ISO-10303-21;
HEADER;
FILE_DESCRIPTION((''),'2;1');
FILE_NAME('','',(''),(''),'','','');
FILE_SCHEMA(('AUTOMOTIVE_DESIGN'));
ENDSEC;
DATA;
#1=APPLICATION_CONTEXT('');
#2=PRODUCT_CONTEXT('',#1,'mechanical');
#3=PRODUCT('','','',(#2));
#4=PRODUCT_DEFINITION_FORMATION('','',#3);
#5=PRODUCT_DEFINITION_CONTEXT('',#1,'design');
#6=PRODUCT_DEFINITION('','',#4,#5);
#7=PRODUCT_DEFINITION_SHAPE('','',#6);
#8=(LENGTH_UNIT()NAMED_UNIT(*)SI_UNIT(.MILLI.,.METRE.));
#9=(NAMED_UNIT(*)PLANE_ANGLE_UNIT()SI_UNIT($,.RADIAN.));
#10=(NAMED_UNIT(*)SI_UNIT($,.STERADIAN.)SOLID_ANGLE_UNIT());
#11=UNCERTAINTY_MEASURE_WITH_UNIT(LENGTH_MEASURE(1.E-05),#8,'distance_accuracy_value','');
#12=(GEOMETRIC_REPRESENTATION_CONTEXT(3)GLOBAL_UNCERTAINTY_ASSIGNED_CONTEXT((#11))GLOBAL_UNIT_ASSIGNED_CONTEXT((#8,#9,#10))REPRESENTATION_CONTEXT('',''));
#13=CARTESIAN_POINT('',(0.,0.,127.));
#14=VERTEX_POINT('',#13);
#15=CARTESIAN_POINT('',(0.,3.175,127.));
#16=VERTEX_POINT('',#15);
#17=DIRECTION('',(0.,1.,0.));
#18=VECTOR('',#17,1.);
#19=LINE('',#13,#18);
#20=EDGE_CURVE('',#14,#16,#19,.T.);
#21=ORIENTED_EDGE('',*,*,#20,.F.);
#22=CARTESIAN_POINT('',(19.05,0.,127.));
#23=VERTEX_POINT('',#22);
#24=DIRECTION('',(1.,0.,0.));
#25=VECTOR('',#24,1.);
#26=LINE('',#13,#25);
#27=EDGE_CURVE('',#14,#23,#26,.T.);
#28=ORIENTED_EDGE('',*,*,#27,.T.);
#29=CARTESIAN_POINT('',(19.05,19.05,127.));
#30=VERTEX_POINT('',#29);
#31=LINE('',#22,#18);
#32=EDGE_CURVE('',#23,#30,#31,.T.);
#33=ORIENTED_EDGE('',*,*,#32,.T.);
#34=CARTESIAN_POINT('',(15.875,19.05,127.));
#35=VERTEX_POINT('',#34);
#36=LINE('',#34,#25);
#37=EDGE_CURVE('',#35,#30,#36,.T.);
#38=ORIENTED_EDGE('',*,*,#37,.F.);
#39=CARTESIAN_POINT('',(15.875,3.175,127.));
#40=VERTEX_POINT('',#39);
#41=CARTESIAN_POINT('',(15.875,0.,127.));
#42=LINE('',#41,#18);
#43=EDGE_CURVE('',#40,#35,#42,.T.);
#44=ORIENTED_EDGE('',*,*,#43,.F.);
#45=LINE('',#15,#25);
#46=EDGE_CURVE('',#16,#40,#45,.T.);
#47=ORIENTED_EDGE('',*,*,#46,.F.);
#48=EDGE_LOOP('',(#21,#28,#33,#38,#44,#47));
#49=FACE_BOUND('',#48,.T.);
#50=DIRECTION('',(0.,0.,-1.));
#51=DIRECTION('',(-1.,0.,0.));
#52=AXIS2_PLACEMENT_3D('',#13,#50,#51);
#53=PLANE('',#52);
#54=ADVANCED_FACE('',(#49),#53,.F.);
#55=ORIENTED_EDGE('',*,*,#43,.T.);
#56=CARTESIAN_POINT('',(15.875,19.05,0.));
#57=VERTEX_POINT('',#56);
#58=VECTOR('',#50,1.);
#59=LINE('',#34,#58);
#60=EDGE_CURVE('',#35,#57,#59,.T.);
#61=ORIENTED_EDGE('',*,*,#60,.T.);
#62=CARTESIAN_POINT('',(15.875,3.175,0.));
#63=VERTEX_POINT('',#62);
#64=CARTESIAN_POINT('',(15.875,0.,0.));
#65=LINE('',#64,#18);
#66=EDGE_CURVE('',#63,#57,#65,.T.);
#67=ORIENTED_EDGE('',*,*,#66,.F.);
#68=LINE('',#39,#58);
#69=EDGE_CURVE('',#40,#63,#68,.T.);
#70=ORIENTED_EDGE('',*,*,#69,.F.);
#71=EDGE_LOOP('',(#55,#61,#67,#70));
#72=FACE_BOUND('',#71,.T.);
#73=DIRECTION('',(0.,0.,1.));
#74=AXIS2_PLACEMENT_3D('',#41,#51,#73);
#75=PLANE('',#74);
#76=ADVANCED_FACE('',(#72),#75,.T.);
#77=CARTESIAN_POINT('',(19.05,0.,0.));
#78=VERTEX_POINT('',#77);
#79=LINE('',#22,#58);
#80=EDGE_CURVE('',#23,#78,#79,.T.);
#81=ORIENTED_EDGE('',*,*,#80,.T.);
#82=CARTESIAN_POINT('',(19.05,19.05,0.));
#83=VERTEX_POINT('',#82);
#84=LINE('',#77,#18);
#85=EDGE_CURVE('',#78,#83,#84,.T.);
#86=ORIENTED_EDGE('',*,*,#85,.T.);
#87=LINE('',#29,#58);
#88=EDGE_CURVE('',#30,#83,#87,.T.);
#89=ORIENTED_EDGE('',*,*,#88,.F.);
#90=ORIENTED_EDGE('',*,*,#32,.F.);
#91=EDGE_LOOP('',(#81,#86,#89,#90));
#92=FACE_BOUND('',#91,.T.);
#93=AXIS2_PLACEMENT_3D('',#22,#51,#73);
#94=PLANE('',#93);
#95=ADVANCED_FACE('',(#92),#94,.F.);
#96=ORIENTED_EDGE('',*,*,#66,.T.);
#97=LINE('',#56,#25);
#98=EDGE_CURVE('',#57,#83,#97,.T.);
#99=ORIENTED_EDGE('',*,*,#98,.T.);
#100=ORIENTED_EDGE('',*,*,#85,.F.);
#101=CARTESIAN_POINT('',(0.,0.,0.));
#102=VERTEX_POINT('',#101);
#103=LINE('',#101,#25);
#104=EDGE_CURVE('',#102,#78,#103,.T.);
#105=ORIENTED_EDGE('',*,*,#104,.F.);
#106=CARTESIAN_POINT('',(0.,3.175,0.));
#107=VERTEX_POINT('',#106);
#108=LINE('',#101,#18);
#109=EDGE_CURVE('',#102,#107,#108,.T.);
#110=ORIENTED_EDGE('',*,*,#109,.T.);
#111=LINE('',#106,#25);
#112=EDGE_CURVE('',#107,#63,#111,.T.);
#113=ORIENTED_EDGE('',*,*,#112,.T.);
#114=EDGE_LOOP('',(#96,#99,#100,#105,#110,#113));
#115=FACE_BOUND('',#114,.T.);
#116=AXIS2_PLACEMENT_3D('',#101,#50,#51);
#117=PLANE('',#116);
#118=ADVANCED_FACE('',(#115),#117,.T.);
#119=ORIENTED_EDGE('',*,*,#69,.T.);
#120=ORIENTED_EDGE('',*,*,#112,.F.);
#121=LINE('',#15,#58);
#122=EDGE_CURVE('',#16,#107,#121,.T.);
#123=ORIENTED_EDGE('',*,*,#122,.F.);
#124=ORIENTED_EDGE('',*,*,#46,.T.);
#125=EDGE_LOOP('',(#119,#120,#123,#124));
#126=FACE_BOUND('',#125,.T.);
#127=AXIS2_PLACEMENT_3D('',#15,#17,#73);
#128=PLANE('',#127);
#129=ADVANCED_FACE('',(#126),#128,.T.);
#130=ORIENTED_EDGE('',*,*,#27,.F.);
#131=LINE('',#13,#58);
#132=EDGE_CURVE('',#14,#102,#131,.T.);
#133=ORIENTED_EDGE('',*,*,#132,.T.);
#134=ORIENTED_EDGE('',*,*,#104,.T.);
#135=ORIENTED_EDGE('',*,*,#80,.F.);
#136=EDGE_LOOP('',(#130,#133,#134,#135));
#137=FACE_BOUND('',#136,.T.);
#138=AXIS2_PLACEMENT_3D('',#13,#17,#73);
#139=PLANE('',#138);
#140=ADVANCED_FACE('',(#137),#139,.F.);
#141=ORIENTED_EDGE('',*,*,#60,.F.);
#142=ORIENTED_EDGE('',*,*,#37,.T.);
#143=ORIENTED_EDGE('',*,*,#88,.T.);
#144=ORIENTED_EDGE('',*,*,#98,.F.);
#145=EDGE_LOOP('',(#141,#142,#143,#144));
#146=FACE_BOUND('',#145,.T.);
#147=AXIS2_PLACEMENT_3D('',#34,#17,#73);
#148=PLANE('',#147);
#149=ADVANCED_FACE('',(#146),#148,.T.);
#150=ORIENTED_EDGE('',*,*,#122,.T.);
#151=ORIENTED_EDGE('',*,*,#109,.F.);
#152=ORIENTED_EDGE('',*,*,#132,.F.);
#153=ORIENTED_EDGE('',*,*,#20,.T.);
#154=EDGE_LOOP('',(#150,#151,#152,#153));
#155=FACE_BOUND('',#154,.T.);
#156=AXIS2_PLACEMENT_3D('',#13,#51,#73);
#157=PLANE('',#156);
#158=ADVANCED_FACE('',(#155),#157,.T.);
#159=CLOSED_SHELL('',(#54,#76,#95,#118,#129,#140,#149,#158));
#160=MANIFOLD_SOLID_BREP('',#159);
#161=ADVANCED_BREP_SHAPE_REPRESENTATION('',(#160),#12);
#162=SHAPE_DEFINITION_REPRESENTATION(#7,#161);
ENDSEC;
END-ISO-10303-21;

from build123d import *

# Parameters (mm, degrees)
EXTRUDE_THIN1_DEPTH = 127


with BuildPart() as part:
    # Sketch1 → Extrude-Thin1 (new body)
    with BuildSketch(Plane.XY):
        Polygon((0, 0), (19.05, 0), (19.05, 19.05), (15.875, 19.05), (15.875, 3.175), (0, 3.175), align=None)
    extrude(amount=EXTRUDE_THIN1_DEPTH)


solid = part.part
